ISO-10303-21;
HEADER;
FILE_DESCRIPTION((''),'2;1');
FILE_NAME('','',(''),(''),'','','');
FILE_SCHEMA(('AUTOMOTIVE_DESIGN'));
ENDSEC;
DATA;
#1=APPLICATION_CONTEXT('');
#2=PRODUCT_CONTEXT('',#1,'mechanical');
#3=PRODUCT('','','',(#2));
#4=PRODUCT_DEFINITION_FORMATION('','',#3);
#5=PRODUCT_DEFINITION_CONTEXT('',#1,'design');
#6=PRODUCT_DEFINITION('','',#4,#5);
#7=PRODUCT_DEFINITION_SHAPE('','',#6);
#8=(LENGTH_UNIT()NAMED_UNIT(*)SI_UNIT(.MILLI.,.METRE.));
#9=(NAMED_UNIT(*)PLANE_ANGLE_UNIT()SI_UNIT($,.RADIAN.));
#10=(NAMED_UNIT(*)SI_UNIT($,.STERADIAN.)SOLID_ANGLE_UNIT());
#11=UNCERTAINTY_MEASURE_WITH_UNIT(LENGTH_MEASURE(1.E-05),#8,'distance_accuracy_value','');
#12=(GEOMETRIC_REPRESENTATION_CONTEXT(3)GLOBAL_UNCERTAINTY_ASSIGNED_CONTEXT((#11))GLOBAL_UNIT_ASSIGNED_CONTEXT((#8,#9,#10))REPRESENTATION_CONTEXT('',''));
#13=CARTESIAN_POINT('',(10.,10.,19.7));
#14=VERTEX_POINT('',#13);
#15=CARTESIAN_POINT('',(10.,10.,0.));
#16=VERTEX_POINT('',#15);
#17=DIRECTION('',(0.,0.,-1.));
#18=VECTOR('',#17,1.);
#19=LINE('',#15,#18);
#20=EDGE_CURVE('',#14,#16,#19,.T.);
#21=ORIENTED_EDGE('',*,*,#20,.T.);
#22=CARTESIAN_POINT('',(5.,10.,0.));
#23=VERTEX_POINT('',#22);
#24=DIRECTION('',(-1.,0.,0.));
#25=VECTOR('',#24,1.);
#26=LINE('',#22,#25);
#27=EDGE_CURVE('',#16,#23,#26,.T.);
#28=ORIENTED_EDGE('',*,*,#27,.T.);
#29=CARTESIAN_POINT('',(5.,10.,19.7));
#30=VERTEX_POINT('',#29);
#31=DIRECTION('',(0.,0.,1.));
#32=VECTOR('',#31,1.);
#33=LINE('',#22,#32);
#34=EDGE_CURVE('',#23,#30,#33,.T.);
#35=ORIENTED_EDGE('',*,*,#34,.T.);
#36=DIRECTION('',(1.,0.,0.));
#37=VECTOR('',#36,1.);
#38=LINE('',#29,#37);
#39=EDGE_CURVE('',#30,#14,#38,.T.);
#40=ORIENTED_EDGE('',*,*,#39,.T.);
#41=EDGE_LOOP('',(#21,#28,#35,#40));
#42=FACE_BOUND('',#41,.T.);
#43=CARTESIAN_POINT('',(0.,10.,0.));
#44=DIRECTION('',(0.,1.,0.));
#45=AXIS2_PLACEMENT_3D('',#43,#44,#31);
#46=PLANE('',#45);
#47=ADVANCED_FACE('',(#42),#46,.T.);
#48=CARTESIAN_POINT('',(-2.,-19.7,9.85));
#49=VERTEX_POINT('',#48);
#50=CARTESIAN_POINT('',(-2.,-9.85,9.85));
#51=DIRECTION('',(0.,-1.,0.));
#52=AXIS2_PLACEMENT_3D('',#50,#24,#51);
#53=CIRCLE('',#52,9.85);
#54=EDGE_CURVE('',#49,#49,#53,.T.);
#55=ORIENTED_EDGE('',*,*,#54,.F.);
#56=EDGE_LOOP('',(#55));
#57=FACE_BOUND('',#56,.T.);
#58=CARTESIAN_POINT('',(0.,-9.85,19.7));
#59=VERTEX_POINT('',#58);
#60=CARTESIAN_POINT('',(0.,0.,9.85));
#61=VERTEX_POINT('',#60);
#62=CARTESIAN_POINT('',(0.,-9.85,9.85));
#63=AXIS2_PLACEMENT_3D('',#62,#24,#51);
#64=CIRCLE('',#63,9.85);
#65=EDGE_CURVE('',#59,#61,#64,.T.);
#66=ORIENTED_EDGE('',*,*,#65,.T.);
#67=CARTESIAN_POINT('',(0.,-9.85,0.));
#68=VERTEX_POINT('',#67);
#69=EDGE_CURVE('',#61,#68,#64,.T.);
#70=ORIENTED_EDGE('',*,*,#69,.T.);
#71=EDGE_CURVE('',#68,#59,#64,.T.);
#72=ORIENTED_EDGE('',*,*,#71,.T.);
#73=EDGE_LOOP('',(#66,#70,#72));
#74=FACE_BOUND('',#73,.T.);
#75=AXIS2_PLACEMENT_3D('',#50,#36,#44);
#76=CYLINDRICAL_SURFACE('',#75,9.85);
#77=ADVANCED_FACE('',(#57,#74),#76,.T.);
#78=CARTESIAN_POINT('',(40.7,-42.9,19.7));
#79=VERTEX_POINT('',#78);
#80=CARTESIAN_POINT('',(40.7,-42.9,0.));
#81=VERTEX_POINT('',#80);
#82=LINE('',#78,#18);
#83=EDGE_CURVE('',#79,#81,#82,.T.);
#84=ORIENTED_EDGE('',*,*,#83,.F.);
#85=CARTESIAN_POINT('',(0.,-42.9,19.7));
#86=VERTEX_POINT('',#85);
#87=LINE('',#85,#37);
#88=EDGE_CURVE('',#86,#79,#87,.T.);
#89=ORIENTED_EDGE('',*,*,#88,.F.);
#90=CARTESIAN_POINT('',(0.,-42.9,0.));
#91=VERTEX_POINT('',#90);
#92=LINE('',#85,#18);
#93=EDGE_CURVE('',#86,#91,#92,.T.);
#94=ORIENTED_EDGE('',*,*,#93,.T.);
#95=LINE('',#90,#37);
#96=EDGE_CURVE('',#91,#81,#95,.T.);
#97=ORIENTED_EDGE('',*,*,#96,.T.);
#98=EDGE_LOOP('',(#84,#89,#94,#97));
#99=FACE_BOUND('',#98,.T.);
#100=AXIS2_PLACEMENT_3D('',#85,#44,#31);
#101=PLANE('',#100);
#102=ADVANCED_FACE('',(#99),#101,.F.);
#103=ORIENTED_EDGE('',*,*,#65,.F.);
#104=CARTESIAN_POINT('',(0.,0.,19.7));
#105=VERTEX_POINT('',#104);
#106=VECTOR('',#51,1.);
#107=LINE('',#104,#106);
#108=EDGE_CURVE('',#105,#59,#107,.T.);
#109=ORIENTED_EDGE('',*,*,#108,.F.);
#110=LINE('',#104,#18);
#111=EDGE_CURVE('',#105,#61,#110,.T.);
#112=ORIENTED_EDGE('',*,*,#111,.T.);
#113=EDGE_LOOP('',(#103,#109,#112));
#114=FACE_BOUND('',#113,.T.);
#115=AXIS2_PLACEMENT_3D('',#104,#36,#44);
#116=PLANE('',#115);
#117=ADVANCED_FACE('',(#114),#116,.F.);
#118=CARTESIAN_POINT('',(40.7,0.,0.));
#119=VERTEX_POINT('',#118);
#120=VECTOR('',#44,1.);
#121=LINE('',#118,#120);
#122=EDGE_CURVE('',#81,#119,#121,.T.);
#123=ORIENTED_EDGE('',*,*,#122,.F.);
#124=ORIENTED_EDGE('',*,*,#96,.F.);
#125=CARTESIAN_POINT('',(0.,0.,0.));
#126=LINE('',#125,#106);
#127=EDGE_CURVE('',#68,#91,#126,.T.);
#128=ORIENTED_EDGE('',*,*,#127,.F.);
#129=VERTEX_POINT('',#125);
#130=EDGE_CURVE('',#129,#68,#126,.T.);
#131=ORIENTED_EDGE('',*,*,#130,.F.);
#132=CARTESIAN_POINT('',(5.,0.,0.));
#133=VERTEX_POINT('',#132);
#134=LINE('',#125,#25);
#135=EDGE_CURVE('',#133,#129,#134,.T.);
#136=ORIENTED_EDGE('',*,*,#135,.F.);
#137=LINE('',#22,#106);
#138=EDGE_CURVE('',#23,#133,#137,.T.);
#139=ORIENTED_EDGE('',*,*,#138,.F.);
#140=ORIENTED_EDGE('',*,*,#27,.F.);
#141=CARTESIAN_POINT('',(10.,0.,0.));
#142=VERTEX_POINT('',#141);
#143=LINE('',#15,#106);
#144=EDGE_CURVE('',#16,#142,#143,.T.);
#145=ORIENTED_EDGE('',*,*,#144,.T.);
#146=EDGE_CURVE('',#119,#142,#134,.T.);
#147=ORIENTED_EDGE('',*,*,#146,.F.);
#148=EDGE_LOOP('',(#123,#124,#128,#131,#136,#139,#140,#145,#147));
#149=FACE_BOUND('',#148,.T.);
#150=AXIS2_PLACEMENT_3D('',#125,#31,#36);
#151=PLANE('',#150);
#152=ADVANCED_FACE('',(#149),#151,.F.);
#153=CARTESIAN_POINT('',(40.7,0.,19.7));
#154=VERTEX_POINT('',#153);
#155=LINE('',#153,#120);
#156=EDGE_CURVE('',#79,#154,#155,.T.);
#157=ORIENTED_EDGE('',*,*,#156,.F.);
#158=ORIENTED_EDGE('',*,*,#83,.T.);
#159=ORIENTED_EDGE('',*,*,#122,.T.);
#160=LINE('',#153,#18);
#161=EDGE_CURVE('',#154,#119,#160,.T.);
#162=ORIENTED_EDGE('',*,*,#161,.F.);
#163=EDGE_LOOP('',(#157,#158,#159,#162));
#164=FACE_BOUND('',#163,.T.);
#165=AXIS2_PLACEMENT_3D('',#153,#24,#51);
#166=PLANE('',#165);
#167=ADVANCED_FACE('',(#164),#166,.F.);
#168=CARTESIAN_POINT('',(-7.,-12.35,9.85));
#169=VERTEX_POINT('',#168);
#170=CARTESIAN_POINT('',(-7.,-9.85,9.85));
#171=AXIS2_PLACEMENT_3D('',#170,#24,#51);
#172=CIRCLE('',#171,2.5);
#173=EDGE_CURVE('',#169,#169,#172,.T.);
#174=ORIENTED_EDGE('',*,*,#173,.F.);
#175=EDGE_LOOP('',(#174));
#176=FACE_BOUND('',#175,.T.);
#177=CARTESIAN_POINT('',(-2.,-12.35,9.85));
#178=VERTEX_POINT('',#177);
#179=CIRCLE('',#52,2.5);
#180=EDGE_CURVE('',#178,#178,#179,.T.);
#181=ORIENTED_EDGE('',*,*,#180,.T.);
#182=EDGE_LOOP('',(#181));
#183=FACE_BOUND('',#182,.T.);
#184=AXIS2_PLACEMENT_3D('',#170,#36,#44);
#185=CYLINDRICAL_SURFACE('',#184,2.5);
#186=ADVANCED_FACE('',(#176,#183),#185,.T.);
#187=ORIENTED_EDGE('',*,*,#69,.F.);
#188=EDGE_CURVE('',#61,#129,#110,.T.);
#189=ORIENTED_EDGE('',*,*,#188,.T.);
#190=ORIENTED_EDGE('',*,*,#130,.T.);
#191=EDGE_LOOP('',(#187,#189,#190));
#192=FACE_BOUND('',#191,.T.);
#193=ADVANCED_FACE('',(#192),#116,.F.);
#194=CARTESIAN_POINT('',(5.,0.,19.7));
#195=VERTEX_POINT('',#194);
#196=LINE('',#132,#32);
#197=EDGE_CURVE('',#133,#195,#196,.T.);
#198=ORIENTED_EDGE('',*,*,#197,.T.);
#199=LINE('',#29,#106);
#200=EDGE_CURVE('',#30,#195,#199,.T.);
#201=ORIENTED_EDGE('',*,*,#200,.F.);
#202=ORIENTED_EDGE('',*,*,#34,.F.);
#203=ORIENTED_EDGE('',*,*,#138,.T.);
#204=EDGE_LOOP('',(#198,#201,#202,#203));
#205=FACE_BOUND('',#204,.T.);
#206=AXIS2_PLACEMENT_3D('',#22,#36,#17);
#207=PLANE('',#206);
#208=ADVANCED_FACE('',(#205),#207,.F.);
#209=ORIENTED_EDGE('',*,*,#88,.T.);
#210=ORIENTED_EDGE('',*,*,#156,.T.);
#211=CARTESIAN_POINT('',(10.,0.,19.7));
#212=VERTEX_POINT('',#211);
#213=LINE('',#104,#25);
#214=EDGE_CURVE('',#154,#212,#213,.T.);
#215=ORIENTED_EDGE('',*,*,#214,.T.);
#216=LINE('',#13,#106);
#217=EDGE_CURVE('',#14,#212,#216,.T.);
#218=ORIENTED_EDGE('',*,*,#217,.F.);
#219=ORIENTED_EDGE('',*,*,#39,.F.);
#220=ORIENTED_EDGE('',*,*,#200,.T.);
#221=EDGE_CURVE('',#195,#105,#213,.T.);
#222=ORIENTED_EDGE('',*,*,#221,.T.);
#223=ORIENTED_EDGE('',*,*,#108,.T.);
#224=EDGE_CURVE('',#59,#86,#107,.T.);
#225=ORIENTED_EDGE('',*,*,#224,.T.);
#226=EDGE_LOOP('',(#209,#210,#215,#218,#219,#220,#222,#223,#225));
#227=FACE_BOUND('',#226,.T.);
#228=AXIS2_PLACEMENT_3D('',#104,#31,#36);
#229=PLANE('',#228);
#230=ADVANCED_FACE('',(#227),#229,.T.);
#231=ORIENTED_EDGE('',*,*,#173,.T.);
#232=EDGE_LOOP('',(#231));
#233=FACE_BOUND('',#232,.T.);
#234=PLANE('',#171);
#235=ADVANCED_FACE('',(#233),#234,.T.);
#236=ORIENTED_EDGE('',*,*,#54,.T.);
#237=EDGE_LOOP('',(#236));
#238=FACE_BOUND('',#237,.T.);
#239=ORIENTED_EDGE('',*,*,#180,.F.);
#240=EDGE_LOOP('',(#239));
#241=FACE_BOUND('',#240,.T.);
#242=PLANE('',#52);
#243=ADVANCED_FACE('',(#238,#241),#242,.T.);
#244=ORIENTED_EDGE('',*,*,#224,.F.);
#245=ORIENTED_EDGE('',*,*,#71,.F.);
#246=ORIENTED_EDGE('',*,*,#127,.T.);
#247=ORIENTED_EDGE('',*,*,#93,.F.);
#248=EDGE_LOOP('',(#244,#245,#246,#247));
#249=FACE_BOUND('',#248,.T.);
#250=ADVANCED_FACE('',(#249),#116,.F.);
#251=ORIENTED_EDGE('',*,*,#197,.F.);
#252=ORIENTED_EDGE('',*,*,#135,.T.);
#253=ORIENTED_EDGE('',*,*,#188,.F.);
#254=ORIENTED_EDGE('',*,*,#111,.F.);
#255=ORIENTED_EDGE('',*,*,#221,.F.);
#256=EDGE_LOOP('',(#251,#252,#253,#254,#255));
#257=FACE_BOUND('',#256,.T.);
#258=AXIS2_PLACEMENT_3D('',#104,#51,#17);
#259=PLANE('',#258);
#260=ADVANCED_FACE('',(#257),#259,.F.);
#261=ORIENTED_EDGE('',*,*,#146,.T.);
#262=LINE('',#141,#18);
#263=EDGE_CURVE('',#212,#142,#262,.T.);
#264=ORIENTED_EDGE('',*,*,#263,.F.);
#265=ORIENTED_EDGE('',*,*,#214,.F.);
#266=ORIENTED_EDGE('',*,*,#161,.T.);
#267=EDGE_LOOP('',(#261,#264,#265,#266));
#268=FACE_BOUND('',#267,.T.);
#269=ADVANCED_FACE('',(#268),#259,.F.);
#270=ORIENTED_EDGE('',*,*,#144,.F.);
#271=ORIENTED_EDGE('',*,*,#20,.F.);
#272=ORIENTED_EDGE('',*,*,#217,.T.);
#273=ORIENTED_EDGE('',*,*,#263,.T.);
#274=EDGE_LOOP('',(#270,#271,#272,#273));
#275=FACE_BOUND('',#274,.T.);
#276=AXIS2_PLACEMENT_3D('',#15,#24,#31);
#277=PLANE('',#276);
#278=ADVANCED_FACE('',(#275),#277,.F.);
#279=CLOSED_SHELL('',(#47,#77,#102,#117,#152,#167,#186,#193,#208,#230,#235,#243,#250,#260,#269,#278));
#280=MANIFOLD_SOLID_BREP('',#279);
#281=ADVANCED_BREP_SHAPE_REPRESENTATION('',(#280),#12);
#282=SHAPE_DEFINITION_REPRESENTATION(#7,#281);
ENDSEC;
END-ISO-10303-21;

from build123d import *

# Parameters (mm, degrees)
SKETCH_1_W      = 40.7
SKETCH_1_H      = 42.9
EXTRUDE_1_DEPTH = 19.7
SKETCH_2_W      = 5
SKETCH_2_H      = 19.7
EXTRUDE_2_DEPTH = 10
SKETCH_3_R      = 9.85
EXTRUDE_3_DEPTH = 2
SKETCH_4_R      = 2.5
EXTRUDE_4_DEPTH = 5


with BuildPart() as part:
    # 草圖1 → 填料-伸長1 (new body)
    with BuildSketch(Plane.XY):
        with Locations((20.35, -21.45)):
            Rectangle(SKETCH_1_W, SKETCH_1_H)
    extrude(amount=EXTRUDE_1_DEPTH)

    # 草圖2 → 填料-伸長2 (add)
    with BuildSketch(Plane(origin=(0, 0, 0), x_dir=(1, 0, 0), z_dir=(0, 1, 0))):
        with Locations((7.5, -9.85)):
            Rectangle(SKETCH_2_W, SKETCH_2_H)
    extrude(amount=EXTRUDE_2_DEPTH)

    # 草圖3 → 填料-伸長3 (add)
    with BuildSketch(Plane.ZY):
        with Locations((9.85, -9.85)):
            Circle(SKETCH_3_R)
    extrude(amount=EXTRUDE_3_DEPTH)

    # 草圖4 → 填料-伸長4 (add)
    with BuildSketch(Plane.ZY.offset(2)):
        with Locations((9.85, -9.85)):
            Circle(SKETCH_4_R)
    extrude(amount=EXTRUDE_4_DEPTH)


solid = part.part
